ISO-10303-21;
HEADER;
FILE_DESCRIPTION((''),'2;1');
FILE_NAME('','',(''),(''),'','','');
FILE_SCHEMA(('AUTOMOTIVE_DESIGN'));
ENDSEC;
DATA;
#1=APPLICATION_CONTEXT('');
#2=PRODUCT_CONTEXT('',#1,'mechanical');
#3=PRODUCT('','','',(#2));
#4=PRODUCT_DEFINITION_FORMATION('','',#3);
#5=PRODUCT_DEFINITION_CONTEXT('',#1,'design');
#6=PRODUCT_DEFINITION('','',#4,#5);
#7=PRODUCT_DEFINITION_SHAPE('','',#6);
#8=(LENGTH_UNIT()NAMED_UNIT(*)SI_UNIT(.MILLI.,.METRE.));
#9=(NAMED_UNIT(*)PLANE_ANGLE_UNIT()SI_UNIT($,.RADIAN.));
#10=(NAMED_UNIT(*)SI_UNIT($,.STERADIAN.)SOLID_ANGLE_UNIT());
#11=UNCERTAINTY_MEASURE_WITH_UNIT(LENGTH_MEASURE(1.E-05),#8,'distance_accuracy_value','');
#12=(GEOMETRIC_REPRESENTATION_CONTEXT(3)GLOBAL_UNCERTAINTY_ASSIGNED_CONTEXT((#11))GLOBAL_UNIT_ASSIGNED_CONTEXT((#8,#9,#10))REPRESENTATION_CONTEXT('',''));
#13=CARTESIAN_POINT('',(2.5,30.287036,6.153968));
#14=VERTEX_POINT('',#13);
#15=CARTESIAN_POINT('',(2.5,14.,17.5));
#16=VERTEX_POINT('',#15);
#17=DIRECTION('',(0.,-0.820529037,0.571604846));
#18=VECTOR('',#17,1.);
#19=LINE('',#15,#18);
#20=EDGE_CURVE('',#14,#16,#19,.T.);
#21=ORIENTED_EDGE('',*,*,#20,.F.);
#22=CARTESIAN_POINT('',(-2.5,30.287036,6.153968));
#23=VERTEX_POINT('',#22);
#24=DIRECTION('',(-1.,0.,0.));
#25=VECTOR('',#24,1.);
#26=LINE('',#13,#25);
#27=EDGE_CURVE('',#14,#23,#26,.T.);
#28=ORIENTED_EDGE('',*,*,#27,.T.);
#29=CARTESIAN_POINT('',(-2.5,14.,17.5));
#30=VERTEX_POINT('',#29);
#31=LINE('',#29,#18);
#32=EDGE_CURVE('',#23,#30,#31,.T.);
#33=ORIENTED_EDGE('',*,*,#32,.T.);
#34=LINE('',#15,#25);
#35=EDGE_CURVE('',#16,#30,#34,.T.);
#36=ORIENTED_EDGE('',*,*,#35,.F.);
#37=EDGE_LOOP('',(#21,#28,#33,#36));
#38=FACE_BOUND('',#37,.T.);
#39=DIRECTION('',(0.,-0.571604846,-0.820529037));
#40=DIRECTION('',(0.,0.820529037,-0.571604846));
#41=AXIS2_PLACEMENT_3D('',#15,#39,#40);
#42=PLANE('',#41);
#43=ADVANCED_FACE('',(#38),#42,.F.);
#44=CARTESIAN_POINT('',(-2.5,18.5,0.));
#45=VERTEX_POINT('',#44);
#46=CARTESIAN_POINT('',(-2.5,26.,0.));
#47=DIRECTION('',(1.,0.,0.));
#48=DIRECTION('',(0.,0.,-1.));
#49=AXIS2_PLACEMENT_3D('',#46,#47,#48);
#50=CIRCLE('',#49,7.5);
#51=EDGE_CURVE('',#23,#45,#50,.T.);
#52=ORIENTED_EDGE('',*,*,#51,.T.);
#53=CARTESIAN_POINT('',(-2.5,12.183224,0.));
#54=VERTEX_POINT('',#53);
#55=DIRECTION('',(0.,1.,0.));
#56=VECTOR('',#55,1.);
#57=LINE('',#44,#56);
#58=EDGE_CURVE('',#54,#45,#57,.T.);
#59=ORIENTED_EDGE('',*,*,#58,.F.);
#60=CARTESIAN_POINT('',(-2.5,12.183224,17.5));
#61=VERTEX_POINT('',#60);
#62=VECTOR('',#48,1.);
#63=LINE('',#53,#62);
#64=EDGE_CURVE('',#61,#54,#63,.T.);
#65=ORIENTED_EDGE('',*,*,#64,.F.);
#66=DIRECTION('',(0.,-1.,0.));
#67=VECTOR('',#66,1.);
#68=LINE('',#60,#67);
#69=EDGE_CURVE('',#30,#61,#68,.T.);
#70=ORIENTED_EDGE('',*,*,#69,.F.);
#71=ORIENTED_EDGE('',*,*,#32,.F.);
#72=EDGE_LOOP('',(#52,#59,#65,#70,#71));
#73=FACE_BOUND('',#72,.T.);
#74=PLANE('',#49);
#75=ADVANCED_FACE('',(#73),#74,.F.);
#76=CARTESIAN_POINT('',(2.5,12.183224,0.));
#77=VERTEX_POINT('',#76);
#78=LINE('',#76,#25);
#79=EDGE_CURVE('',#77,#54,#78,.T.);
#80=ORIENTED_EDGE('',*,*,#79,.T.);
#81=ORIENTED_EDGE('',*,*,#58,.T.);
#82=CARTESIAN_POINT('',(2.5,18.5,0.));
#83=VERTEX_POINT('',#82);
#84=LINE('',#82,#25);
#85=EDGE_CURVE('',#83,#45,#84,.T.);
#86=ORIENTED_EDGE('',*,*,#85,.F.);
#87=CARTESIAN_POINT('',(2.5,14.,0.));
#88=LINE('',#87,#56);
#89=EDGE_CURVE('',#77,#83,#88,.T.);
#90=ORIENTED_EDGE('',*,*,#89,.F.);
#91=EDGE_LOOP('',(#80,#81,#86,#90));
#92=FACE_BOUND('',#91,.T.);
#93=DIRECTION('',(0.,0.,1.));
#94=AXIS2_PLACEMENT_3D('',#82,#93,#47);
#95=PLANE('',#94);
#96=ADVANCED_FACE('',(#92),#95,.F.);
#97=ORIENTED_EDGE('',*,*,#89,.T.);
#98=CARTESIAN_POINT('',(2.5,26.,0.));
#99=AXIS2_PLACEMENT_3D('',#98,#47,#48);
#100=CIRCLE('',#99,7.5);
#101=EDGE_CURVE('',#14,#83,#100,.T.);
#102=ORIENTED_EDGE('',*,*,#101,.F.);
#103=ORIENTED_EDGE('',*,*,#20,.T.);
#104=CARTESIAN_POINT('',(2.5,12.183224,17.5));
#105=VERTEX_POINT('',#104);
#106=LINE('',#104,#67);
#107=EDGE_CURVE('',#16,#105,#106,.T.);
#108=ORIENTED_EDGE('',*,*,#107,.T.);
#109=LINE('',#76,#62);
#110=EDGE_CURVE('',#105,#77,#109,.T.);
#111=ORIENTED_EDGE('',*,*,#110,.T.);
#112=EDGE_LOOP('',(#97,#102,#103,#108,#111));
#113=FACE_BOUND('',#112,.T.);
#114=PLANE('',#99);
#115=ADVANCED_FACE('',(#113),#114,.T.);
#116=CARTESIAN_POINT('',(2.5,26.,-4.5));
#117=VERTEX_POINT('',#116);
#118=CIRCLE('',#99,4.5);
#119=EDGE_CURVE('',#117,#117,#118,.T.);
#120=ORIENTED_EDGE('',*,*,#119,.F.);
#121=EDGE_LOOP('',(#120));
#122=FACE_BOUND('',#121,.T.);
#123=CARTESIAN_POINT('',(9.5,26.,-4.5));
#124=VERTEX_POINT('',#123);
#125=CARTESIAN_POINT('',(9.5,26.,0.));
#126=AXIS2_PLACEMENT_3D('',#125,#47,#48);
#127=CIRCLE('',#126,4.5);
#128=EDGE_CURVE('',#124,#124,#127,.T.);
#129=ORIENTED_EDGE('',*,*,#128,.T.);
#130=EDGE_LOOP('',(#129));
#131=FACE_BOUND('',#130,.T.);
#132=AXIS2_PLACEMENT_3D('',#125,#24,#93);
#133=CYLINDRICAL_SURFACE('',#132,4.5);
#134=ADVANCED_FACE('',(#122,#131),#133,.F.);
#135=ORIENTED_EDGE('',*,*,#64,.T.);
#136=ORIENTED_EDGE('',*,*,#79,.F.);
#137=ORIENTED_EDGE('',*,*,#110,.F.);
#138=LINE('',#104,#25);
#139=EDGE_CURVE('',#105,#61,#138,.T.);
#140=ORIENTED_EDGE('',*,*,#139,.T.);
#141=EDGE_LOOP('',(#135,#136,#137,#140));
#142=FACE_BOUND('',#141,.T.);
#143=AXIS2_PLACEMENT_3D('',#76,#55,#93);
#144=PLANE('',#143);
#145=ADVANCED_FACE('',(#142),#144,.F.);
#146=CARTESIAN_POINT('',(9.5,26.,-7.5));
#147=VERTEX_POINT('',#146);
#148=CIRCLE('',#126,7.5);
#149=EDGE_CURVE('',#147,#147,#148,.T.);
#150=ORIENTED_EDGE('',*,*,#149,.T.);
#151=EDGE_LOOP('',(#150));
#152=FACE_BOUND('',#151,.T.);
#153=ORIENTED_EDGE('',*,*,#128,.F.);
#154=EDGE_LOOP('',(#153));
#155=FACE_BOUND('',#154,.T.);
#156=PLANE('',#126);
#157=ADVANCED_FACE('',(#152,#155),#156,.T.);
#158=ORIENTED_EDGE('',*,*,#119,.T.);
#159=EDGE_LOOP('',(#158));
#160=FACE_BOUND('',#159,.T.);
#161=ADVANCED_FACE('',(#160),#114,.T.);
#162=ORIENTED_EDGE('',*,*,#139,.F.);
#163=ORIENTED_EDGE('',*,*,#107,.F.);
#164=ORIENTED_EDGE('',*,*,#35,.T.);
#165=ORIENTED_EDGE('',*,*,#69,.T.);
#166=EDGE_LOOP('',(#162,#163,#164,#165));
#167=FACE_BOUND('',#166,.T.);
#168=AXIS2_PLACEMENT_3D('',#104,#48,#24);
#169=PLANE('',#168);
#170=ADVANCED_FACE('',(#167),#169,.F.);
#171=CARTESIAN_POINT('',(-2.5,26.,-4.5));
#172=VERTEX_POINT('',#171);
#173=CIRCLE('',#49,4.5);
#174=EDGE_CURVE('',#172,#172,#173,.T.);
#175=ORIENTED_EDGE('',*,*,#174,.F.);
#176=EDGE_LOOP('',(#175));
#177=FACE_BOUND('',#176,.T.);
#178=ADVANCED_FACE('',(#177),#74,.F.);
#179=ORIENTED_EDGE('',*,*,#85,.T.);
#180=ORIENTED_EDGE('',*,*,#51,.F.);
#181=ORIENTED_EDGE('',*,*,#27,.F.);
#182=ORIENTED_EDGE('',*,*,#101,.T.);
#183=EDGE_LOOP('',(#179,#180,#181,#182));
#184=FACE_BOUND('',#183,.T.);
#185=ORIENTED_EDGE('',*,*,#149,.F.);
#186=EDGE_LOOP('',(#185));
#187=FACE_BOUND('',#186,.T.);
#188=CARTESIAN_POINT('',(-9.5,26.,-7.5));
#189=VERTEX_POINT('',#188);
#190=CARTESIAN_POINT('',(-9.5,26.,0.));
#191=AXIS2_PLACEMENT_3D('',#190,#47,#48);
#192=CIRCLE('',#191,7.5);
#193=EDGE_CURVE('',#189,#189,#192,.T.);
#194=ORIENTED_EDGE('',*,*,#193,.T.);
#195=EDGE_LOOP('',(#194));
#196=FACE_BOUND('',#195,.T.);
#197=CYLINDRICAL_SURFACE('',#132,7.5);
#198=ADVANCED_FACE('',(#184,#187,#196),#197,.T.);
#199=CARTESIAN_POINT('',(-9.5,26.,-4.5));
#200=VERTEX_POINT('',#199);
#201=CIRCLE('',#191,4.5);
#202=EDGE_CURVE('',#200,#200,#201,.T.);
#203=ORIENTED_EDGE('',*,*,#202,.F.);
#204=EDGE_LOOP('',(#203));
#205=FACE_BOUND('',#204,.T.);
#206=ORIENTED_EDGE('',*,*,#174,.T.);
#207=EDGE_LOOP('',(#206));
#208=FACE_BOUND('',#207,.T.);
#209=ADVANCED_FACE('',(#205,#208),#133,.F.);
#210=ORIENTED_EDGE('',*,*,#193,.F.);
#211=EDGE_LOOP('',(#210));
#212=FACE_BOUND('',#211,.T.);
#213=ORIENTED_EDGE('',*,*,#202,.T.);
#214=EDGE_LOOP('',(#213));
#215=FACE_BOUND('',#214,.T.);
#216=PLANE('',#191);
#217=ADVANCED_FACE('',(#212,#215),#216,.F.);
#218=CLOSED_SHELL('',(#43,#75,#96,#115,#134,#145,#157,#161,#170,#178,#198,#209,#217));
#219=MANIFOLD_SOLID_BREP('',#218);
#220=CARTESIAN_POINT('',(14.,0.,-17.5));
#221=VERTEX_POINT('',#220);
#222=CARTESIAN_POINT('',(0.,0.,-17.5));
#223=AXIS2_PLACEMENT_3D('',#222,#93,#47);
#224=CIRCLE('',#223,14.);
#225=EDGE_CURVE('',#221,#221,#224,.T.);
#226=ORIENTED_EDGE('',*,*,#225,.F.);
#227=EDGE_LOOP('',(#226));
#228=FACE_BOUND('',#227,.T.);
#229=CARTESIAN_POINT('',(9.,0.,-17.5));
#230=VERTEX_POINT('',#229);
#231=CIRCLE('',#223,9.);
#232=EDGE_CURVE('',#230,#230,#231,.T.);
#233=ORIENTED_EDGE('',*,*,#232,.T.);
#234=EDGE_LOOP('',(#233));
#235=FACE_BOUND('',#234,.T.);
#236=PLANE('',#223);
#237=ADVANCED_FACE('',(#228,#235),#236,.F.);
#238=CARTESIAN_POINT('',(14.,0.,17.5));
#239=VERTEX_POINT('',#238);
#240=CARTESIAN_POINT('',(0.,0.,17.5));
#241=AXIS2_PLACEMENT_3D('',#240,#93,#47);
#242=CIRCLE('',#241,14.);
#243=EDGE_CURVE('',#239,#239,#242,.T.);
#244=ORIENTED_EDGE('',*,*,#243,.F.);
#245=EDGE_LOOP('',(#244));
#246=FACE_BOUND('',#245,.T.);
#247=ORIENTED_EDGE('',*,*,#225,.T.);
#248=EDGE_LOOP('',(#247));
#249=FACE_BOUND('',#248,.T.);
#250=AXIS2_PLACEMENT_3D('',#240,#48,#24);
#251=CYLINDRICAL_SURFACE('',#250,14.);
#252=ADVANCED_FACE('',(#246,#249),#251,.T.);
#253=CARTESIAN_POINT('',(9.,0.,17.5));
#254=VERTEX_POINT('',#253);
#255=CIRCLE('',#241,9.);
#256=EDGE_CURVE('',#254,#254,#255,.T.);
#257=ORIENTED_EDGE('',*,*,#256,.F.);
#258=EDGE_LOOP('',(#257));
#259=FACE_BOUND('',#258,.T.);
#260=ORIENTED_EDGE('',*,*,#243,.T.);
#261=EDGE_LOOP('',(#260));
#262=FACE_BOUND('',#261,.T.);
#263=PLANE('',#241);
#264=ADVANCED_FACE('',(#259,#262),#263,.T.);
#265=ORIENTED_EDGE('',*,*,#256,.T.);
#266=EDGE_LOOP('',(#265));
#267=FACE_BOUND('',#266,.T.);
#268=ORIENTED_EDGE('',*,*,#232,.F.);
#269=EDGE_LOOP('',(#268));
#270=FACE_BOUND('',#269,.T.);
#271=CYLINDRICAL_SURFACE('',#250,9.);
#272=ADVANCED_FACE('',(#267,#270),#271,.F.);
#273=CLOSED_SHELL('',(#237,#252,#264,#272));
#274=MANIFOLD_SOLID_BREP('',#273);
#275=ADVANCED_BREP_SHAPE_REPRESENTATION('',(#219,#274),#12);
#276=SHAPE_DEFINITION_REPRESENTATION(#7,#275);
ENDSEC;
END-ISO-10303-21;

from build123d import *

# Parameters (mm, degrees)
SKETCH1_R           = 14
SKETCH1_R_2         = 9
EXTRUDE_THIN1_DEPTH = 17.5
SKETCH2_R           = 7.5
SKETCH2_R_2         = 4.5
EXTRUDE_THIN2_DEPTH = 9.5
BOSS_EXTRUDE1_DEPTH = 2.5


with BuildPart() as part:
    # Sketch1 → Extrude-Thin1 (new, symmetric)
    with BuildSketch(Plane.XY):
        Circle(SKETCH1_R)
        Circle(SKETCH1_R_2, mode=Mode.SUBTRACT)
    extrude(amount=EXTRUDE_THIN1_DEPTH, both=True)


with BuildPart() as body_2:
    # Sketch2 → Extrude-Thin2 (new, symmetric)
    with BuildSketch(Plane(origin=(0, 0, 0), x_dir=(0, 0, -1), z_dir=(1, 0, 0))):
        with Locations((0, 26)):
            Circle(SKETCH2_R)
        with Locations((0, 26)):
            Circle(SKETCH2_R_2, mode=Mode.SUBTRACT)
    extrude(amount=EXTRUDE_THIN2_DEPTH, both=True)

    # Sketch3 → Boss-Extrude1 (add, symmetric)
    with BuildSketch(Plane(origin=(0, 0, 0), x_dir=(0, 0, -1), z_dir=(1, 0, 0))):
        with BuildLine():
            Line((-17.5, 14), (-6.153967777, 30.287036342))
            ThreePointArc((-6.153967777, 30.287036342), (6.648412313, 29.471111309), (0, 18.5))
            Line((0, 18.5), (0, 14))
            Line((0, 14), (0, 12.183223564))
            Line((0, 12.183223564), (-17.5, 12.183223564))
            Line((-17.5, 12.183223564), (-17.5, 14))
        make_face()
    extrude(amount=BOSS_EXTRUDE1_DEPTH, both=True)


solid = Compound([part.part, body_2.part])
